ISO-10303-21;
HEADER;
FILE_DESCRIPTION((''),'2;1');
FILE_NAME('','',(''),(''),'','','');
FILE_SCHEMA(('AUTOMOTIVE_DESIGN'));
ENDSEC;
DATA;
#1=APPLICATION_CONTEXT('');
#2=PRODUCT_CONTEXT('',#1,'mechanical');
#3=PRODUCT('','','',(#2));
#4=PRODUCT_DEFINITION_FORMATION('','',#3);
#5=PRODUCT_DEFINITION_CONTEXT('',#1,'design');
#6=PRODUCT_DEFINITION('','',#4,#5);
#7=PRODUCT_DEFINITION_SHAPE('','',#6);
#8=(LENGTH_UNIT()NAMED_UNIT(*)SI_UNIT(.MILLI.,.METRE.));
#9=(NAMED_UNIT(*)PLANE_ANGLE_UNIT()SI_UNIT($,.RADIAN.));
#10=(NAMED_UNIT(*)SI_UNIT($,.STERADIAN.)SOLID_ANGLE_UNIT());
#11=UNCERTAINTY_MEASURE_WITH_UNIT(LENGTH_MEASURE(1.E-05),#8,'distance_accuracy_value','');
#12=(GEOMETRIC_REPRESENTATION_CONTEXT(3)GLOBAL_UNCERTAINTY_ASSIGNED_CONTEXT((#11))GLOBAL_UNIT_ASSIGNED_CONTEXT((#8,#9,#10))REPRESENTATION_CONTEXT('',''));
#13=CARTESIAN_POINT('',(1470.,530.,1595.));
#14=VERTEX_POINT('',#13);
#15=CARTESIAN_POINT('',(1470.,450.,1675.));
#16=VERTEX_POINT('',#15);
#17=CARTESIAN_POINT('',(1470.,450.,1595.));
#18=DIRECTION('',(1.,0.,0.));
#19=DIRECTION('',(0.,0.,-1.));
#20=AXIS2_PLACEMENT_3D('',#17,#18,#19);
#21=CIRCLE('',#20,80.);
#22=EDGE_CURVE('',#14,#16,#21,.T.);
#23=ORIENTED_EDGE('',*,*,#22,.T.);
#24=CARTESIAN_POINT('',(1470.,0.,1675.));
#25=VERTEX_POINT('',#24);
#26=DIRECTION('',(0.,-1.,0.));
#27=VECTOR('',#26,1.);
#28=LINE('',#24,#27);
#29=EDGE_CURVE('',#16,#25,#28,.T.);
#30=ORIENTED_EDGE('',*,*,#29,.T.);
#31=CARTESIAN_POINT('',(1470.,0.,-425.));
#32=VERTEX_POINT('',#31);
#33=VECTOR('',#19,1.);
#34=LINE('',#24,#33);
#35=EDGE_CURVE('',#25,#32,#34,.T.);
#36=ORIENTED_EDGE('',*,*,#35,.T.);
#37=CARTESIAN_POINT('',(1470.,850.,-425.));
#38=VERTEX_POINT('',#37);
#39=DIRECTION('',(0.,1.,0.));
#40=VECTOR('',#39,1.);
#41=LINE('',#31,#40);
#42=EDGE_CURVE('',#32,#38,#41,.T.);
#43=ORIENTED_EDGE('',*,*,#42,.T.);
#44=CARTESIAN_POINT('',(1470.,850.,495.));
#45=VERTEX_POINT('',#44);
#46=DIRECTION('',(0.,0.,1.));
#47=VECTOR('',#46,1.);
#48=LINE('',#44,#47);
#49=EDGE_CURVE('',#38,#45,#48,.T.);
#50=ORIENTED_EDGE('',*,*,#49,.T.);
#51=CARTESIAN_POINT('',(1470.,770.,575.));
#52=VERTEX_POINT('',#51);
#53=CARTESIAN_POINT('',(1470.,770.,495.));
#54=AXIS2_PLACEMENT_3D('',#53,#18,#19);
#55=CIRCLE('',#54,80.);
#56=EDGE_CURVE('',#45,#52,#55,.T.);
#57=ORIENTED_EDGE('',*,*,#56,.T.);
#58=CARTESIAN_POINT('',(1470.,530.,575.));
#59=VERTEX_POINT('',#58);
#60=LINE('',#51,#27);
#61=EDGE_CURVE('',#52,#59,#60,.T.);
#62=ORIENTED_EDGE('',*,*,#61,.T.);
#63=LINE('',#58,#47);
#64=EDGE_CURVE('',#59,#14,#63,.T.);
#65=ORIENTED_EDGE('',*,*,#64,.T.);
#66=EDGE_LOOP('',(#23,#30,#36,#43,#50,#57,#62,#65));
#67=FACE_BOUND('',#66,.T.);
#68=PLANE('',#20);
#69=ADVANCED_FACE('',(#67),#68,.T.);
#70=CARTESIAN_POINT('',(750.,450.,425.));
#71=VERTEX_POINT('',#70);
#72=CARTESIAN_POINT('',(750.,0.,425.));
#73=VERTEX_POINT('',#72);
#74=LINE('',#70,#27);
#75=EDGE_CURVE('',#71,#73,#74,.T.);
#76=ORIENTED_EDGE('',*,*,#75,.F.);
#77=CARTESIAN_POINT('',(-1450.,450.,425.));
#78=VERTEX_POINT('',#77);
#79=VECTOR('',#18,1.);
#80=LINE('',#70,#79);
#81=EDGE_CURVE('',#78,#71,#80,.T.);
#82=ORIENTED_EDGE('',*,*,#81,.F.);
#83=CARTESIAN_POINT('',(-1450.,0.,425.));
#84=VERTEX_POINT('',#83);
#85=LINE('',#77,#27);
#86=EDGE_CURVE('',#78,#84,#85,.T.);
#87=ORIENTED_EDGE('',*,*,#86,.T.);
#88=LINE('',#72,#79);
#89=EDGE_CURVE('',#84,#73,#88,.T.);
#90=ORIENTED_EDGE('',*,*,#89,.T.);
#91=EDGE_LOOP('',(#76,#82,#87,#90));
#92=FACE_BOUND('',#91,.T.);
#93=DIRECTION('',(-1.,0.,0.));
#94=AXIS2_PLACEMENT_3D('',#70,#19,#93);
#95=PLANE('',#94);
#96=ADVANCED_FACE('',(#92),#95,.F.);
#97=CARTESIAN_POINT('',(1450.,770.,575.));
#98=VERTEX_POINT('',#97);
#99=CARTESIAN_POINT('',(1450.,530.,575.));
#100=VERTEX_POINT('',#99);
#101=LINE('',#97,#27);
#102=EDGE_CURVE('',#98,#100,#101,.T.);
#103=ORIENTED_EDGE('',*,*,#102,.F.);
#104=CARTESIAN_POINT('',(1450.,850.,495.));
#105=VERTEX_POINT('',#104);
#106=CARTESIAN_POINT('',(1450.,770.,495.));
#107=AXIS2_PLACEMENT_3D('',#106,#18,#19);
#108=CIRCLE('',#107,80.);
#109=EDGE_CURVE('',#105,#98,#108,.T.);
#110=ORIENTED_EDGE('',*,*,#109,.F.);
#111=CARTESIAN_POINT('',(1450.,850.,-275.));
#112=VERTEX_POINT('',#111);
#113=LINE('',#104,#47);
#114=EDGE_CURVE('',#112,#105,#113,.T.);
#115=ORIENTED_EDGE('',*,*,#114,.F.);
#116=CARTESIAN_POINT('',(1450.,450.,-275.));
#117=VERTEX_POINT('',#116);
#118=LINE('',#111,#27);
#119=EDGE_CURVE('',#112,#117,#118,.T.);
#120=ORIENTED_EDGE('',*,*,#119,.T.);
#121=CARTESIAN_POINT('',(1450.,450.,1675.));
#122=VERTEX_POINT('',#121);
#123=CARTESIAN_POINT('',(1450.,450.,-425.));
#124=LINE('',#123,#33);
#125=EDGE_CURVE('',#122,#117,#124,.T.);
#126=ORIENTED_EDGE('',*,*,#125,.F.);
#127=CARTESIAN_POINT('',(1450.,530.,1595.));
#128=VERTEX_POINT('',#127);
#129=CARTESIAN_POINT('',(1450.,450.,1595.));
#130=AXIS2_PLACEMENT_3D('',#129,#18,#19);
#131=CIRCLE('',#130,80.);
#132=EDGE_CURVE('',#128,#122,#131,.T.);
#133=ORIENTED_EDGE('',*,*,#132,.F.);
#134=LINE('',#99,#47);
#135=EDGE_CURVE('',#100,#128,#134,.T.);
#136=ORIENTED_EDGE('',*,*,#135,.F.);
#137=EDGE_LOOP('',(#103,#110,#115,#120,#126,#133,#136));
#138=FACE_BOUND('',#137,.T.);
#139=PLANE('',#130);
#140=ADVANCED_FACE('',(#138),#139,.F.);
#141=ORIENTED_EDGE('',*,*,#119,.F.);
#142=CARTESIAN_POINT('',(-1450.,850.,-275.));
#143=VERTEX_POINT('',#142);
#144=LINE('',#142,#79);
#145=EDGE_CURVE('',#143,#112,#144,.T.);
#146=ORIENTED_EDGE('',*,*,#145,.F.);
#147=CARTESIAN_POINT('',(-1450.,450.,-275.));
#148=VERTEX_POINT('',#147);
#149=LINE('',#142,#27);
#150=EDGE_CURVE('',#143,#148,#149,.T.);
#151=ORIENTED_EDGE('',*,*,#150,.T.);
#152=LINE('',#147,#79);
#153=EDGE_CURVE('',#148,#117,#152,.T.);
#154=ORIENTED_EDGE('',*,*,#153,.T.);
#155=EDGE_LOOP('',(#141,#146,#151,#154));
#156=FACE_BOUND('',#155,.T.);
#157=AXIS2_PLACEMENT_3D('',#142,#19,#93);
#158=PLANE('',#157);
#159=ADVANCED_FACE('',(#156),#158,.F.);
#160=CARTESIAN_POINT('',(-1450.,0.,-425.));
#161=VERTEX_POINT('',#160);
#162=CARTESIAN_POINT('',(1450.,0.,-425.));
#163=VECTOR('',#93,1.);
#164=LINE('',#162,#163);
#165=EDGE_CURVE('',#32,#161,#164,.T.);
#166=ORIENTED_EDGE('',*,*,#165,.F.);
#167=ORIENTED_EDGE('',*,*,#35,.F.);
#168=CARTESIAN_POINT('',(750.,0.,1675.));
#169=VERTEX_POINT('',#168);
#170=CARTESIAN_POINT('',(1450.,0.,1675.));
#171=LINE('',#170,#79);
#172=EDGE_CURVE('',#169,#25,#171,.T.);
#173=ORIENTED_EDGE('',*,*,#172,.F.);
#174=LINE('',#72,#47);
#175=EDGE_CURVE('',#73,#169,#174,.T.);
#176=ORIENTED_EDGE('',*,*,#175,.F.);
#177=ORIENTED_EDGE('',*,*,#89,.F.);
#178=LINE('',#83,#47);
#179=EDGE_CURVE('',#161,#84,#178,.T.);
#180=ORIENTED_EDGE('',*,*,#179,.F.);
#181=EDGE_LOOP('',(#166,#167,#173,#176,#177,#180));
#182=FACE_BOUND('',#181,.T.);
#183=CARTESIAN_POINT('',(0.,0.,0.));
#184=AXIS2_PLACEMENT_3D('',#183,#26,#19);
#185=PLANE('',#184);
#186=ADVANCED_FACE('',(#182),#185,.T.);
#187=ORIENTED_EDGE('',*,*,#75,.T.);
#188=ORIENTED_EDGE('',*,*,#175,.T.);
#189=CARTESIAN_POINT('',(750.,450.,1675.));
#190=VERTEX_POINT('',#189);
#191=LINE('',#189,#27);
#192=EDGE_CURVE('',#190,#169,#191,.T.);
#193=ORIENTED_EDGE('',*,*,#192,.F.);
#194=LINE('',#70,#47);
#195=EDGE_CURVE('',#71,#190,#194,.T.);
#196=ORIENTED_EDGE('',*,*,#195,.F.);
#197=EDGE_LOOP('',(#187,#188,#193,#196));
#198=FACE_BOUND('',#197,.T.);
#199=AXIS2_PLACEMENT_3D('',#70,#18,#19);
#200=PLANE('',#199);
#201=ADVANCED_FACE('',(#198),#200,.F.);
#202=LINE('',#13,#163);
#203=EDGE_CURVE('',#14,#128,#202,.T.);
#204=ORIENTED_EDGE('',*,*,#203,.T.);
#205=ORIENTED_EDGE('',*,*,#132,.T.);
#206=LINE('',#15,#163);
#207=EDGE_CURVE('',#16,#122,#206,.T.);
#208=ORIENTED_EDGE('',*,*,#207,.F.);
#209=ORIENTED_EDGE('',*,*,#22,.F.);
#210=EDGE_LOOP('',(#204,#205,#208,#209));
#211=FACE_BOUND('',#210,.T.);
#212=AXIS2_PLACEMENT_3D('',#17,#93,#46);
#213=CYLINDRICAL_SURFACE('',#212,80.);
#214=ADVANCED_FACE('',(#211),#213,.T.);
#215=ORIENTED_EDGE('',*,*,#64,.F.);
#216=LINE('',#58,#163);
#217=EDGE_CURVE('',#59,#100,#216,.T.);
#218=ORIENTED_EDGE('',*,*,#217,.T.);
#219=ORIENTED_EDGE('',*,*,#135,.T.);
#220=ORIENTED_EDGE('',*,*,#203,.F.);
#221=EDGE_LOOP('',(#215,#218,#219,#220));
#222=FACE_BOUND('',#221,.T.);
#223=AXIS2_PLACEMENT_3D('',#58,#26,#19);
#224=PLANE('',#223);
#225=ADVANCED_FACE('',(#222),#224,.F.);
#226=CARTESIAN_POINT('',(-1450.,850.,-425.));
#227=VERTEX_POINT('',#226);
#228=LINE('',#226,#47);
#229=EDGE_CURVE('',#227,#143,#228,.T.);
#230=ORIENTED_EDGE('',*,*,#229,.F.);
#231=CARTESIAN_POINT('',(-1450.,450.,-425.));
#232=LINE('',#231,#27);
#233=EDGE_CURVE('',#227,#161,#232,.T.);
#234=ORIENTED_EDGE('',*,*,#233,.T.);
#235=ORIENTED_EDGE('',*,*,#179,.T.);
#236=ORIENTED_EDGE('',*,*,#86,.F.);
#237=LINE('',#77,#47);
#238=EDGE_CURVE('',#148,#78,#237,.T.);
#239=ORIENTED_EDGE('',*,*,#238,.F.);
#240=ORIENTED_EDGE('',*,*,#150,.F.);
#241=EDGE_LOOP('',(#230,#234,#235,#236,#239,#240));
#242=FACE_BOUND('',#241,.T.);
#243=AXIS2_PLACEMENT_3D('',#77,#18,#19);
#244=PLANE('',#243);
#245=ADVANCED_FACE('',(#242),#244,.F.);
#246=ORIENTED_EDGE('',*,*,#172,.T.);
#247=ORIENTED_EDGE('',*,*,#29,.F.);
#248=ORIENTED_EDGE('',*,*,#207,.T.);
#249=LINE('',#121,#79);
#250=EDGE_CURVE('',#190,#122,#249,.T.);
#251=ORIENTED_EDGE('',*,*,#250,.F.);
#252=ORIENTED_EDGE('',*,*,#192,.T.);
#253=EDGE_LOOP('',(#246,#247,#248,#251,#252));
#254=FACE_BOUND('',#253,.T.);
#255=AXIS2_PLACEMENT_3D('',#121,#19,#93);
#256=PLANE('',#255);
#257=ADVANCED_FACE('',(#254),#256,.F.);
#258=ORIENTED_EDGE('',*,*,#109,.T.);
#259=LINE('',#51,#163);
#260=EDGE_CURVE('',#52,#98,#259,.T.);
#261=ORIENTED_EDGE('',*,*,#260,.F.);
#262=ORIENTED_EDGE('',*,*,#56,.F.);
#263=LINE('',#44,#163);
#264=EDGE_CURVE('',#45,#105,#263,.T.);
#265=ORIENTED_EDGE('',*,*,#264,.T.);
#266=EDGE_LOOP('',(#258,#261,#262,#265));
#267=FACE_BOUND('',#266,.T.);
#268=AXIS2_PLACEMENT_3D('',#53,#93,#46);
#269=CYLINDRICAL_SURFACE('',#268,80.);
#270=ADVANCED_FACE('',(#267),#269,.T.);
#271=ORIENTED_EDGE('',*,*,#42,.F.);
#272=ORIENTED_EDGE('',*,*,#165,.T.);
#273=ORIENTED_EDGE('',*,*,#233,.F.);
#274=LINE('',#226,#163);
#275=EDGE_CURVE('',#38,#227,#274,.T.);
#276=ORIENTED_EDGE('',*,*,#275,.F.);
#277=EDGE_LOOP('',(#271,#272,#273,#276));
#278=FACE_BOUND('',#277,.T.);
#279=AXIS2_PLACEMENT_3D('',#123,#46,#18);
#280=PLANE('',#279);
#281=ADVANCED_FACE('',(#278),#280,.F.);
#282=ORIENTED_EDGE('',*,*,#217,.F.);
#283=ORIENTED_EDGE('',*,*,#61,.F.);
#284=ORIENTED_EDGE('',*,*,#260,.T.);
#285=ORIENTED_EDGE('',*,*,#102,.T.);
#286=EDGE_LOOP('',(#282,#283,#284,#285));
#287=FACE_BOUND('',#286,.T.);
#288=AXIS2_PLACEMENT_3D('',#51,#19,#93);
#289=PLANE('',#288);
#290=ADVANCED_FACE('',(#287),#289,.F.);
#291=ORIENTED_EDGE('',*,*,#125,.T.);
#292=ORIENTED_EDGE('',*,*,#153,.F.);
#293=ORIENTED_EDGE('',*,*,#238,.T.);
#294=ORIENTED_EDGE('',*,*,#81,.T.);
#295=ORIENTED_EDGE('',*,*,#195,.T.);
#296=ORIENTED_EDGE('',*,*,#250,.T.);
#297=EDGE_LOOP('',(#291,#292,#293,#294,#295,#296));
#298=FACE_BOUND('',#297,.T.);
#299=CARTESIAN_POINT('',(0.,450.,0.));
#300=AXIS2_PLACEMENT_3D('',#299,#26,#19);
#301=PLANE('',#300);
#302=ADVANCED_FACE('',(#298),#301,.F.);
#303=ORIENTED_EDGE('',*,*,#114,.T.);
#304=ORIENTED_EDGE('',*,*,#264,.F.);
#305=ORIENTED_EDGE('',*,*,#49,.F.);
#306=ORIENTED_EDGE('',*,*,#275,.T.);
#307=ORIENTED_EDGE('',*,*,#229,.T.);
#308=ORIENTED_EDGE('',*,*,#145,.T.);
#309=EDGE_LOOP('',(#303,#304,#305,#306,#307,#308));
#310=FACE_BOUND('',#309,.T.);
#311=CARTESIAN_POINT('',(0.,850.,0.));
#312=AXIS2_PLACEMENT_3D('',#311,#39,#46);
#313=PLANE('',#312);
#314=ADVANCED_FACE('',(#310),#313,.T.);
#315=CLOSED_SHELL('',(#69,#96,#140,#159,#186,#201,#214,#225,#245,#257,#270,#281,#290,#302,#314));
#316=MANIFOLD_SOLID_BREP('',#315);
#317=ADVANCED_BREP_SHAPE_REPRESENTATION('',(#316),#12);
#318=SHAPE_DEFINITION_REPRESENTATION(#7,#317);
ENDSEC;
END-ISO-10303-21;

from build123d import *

# Parameters (mm, degrees)
BOSS_EXTRUDE1_DEPTH = 450
SKETCH3_W           = 2900
SKETCH3_H           = 150
BOSS_EXTRUDE3_DEPTH = 400
BOSS_EXTRUDE4_DEPTH = 20


with BuildPart() as part:
    # Sketch1 → Boss-Extrude1 (new body)
    with BuildSketch(Plane(origin=(0, 0, 0), x_dir=(1, 0, 0), z_dir=(0, 1, 0))):
        Polygon((750, -425), (750, -1675), (1450, -1675), (1450, 425), (-1450, 425), (-1450, -425), align=None)
    extrude(amount=BOSS_EXTRUDE1_DEPTH)

    # Sketch3 → Boss-Extrude3 (add)
    with BuildSketch(Plane(origin=(0, 450, 0), x_dir=(1, 0, 0), z_dir=(0, 1, 0))):
        with Locations((0, 350)):
            Rectangle(SKETCH3_W, SKETCH3_H)
    extrude(amount=BOSS_EXTRUDE3_DEPTH)

    # Sketch5 → Boss-Extrude4 (add)
    with BuildSketch(Plane(origin=(1450, 0, 0), x_dir=(0, 0, -1), z_dir=(1, 0, 0))):
        with BuildLine():
            Line((-575, 770), (-575, 530))
            Line((-575, 530), (-1595, 530))
            ThreePointArc((-1595, 530), (-1651.568542495, 506.568542495), (-1675, 450))
            Line((-1675, 450), (-1675, 0))
            Line((-1675, 0), (425, 0))
            Line((425, 0), (425, 850))
            Line((425, 850), (-495, 850))
            ThreePointArc((-495, 850), (-551.568542495, 826.568542495), (-575, 770))
        make_face()
    extrude(amount=BOSS_EXTRUDE4_DEPTH)


solid = part.part
